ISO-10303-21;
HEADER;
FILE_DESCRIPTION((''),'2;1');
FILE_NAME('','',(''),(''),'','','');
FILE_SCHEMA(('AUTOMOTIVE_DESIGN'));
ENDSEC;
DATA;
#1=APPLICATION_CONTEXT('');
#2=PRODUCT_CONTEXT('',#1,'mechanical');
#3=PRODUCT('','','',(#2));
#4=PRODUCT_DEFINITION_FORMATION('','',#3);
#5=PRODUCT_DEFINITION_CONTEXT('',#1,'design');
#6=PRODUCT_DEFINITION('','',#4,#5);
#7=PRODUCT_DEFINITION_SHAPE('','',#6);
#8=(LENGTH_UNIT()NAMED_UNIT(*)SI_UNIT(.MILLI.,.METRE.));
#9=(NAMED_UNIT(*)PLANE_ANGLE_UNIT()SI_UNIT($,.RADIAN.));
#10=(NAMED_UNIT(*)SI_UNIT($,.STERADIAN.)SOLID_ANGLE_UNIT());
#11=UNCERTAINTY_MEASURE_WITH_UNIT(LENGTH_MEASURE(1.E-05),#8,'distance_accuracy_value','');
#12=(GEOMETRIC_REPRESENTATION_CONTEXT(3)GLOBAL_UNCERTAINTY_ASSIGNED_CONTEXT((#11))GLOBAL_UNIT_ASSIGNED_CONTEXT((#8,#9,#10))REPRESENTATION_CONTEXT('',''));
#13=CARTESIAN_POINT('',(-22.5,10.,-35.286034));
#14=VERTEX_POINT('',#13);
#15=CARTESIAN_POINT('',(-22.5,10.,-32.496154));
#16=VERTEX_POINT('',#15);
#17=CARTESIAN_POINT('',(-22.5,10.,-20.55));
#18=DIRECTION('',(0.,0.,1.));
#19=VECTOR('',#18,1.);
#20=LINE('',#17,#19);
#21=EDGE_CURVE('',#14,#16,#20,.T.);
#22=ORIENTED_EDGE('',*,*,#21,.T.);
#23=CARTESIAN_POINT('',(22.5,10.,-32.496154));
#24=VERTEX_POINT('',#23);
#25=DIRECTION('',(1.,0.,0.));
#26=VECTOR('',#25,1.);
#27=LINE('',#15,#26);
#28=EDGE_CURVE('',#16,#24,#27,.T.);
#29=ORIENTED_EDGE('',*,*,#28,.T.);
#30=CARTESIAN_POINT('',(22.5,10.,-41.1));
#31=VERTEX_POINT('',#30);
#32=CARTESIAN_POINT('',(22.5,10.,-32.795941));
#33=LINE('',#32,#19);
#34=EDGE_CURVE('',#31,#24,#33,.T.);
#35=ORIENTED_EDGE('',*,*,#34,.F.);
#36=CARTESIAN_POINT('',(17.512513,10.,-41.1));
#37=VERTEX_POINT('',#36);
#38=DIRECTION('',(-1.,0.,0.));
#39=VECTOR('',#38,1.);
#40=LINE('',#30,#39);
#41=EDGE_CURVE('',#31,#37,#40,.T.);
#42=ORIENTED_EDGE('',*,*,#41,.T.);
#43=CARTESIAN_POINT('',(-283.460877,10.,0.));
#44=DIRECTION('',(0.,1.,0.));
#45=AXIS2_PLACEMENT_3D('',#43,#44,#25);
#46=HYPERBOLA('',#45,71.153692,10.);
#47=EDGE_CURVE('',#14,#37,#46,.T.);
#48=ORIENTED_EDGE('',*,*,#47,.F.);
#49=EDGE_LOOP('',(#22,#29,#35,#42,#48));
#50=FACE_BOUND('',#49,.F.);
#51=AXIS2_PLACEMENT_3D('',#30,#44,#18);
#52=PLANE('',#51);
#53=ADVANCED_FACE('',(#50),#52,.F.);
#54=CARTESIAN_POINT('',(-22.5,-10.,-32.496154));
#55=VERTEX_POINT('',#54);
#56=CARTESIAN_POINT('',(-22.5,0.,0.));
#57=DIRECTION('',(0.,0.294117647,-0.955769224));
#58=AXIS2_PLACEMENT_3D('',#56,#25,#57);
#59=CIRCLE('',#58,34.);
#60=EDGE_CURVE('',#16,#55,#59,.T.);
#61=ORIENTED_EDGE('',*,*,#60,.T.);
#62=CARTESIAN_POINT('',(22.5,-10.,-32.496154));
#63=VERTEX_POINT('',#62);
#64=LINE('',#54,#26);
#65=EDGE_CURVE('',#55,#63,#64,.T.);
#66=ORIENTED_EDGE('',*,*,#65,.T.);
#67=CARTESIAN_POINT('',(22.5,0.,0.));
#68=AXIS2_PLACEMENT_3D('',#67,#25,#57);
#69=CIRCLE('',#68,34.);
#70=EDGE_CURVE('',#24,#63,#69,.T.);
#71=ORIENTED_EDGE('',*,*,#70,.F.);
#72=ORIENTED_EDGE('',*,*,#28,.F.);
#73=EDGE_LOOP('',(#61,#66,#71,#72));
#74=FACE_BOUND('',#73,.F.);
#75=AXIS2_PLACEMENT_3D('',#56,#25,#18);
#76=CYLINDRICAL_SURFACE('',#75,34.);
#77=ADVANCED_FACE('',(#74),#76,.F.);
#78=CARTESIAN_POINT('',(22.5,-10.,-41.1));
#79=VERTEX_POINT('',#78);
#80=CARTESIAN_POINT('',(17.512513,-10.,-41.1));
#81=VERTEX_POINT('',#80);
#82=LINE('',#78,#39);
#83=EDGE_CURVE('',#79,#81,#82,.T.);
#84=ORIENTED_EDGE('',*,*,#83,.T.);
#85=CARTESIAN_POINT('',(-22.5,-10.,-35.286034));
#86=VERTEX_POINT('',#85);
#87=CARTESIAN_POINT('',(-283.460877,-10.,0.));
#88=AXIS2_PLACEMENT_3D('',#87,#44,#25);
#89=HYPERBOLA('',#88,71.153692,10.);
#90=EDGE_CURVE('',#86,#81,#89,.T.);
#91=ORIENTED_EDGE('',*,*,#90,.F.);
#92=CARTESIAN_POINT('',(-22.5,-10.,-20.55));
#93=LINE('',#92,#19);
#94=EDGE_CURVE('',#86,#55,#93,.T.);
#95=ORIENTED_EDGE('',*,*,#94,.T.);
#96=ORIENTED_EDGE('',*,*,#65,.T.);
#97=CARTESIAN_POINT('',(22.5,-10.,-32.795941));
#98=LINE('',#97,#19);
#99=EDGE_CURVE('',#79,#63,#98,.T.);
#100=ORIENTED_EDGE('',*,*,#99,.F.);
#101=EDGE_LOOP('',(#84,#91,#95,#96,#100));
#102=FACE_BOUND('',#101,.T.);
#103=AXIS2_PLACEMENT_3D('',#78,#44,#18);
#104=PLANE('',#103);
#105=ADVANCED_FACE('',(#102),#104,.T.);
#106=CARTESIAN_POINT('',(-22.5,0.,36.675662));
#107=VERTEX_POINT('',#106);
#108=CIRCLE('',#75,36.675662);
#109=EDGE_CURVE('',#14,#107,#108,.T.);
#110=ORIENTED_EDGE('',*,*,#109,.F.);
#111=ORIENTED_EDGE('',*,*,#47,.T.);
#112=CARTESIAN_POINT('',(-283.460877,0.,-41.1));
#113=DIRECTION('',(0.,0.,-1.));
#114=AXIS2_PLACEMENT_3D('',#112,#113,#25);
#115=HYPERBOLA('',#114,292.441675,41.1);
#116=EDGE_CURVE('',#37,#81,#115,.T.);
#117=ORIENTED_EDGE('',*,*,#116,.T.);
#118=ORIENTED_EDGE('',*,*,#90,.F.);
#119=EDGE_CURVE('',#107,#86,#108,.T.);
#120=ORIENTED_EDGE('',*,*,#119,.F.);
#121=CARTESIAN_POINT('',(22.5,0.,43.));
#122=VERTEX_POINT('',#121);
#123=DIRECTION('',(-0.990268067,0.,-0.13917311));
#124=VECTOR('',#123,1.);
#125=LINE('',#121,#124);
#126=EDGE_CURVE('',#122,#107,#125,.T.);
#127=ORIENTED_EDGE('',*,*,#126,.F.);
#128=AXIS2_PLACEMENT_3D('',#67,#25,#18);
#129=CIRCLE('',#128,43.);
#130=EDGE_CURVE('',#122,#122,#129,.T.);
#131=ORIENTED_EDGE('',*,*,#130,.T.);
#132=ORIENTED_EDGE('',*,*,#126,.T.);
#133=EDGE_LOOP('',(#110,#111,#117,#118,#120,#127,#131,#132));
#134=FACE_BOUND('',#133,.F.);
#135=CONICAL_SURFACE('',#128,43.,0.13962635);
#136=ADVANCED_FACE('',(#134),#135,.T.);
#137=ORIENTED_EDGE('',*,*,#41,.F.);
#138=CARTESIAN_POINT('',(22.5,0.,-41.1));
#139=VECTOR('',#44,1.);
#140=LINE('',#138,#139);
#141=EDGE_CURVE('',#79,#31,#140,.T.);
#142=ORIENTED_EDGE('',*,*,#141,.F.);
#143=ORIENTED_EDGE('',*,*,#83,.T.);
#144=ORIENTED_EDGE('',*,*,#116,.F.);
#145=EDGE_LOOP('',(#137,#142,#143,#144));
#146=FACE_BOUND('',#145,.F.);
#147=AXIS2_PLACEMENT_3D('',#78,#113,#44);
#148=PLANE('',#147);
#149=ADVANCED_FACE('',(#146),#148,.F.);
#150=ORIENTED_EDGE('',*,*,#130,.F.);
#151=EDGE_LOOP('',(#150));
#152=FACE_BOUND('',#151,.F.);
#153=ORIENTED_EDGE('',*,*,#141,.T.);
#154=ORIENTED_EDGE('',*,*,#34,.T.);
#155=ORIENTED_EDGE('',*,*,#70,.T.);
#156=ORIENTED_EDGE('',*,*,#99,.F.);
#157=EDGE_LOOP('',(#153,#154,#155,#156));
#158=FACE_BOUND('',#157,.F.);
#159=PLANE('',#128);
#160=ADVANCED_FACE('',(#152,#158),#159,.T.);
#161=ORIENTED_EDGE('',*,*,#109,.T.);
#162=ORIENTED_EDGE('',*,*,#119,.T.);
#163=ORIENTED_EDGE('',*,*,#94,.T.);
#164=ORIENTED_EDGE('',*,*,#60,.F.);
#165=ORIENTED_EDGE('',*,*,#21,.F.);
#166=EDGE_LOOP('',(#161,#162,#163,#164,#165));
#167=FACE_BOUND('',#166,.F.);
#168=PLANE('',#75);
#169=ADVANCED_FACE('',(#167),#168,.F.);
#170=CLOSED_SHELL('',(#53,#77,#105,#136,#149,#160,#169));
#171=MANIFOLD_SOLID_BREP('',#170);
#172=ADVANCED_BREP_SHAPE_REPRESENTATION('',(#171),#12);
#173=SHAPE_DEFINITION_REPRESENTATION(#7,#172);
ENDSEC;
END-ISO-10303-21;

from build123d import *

# Parameters (mm, degrees)
F2_W     = 20
F2_H     = 16.608118
F3_DEPTH = 45.001


with BuildPart() as f1:
    # F0 (on Front) → F1 (revolve)
    with BuildSketch(Plane.XZ):
        Polygon((-22.5, 36.675662), (-22.5, 34), (22.5, 34), (22.5, 43), align=None)
    revolve(axis=Axis((3.817478, 0, 0), (1, 0, 0)))

    # F2 (on face) → F3 (cut, through all)
    with BuildSketch(Plane.YZ.offset(22.5)):
        with Locations((0, -32.795941)):
            Rectangle(F2_W, F2_H)
    extrude(amount=-F3_DEPTH, mode=Mode.SUBTRACT)


solid = f1.part
